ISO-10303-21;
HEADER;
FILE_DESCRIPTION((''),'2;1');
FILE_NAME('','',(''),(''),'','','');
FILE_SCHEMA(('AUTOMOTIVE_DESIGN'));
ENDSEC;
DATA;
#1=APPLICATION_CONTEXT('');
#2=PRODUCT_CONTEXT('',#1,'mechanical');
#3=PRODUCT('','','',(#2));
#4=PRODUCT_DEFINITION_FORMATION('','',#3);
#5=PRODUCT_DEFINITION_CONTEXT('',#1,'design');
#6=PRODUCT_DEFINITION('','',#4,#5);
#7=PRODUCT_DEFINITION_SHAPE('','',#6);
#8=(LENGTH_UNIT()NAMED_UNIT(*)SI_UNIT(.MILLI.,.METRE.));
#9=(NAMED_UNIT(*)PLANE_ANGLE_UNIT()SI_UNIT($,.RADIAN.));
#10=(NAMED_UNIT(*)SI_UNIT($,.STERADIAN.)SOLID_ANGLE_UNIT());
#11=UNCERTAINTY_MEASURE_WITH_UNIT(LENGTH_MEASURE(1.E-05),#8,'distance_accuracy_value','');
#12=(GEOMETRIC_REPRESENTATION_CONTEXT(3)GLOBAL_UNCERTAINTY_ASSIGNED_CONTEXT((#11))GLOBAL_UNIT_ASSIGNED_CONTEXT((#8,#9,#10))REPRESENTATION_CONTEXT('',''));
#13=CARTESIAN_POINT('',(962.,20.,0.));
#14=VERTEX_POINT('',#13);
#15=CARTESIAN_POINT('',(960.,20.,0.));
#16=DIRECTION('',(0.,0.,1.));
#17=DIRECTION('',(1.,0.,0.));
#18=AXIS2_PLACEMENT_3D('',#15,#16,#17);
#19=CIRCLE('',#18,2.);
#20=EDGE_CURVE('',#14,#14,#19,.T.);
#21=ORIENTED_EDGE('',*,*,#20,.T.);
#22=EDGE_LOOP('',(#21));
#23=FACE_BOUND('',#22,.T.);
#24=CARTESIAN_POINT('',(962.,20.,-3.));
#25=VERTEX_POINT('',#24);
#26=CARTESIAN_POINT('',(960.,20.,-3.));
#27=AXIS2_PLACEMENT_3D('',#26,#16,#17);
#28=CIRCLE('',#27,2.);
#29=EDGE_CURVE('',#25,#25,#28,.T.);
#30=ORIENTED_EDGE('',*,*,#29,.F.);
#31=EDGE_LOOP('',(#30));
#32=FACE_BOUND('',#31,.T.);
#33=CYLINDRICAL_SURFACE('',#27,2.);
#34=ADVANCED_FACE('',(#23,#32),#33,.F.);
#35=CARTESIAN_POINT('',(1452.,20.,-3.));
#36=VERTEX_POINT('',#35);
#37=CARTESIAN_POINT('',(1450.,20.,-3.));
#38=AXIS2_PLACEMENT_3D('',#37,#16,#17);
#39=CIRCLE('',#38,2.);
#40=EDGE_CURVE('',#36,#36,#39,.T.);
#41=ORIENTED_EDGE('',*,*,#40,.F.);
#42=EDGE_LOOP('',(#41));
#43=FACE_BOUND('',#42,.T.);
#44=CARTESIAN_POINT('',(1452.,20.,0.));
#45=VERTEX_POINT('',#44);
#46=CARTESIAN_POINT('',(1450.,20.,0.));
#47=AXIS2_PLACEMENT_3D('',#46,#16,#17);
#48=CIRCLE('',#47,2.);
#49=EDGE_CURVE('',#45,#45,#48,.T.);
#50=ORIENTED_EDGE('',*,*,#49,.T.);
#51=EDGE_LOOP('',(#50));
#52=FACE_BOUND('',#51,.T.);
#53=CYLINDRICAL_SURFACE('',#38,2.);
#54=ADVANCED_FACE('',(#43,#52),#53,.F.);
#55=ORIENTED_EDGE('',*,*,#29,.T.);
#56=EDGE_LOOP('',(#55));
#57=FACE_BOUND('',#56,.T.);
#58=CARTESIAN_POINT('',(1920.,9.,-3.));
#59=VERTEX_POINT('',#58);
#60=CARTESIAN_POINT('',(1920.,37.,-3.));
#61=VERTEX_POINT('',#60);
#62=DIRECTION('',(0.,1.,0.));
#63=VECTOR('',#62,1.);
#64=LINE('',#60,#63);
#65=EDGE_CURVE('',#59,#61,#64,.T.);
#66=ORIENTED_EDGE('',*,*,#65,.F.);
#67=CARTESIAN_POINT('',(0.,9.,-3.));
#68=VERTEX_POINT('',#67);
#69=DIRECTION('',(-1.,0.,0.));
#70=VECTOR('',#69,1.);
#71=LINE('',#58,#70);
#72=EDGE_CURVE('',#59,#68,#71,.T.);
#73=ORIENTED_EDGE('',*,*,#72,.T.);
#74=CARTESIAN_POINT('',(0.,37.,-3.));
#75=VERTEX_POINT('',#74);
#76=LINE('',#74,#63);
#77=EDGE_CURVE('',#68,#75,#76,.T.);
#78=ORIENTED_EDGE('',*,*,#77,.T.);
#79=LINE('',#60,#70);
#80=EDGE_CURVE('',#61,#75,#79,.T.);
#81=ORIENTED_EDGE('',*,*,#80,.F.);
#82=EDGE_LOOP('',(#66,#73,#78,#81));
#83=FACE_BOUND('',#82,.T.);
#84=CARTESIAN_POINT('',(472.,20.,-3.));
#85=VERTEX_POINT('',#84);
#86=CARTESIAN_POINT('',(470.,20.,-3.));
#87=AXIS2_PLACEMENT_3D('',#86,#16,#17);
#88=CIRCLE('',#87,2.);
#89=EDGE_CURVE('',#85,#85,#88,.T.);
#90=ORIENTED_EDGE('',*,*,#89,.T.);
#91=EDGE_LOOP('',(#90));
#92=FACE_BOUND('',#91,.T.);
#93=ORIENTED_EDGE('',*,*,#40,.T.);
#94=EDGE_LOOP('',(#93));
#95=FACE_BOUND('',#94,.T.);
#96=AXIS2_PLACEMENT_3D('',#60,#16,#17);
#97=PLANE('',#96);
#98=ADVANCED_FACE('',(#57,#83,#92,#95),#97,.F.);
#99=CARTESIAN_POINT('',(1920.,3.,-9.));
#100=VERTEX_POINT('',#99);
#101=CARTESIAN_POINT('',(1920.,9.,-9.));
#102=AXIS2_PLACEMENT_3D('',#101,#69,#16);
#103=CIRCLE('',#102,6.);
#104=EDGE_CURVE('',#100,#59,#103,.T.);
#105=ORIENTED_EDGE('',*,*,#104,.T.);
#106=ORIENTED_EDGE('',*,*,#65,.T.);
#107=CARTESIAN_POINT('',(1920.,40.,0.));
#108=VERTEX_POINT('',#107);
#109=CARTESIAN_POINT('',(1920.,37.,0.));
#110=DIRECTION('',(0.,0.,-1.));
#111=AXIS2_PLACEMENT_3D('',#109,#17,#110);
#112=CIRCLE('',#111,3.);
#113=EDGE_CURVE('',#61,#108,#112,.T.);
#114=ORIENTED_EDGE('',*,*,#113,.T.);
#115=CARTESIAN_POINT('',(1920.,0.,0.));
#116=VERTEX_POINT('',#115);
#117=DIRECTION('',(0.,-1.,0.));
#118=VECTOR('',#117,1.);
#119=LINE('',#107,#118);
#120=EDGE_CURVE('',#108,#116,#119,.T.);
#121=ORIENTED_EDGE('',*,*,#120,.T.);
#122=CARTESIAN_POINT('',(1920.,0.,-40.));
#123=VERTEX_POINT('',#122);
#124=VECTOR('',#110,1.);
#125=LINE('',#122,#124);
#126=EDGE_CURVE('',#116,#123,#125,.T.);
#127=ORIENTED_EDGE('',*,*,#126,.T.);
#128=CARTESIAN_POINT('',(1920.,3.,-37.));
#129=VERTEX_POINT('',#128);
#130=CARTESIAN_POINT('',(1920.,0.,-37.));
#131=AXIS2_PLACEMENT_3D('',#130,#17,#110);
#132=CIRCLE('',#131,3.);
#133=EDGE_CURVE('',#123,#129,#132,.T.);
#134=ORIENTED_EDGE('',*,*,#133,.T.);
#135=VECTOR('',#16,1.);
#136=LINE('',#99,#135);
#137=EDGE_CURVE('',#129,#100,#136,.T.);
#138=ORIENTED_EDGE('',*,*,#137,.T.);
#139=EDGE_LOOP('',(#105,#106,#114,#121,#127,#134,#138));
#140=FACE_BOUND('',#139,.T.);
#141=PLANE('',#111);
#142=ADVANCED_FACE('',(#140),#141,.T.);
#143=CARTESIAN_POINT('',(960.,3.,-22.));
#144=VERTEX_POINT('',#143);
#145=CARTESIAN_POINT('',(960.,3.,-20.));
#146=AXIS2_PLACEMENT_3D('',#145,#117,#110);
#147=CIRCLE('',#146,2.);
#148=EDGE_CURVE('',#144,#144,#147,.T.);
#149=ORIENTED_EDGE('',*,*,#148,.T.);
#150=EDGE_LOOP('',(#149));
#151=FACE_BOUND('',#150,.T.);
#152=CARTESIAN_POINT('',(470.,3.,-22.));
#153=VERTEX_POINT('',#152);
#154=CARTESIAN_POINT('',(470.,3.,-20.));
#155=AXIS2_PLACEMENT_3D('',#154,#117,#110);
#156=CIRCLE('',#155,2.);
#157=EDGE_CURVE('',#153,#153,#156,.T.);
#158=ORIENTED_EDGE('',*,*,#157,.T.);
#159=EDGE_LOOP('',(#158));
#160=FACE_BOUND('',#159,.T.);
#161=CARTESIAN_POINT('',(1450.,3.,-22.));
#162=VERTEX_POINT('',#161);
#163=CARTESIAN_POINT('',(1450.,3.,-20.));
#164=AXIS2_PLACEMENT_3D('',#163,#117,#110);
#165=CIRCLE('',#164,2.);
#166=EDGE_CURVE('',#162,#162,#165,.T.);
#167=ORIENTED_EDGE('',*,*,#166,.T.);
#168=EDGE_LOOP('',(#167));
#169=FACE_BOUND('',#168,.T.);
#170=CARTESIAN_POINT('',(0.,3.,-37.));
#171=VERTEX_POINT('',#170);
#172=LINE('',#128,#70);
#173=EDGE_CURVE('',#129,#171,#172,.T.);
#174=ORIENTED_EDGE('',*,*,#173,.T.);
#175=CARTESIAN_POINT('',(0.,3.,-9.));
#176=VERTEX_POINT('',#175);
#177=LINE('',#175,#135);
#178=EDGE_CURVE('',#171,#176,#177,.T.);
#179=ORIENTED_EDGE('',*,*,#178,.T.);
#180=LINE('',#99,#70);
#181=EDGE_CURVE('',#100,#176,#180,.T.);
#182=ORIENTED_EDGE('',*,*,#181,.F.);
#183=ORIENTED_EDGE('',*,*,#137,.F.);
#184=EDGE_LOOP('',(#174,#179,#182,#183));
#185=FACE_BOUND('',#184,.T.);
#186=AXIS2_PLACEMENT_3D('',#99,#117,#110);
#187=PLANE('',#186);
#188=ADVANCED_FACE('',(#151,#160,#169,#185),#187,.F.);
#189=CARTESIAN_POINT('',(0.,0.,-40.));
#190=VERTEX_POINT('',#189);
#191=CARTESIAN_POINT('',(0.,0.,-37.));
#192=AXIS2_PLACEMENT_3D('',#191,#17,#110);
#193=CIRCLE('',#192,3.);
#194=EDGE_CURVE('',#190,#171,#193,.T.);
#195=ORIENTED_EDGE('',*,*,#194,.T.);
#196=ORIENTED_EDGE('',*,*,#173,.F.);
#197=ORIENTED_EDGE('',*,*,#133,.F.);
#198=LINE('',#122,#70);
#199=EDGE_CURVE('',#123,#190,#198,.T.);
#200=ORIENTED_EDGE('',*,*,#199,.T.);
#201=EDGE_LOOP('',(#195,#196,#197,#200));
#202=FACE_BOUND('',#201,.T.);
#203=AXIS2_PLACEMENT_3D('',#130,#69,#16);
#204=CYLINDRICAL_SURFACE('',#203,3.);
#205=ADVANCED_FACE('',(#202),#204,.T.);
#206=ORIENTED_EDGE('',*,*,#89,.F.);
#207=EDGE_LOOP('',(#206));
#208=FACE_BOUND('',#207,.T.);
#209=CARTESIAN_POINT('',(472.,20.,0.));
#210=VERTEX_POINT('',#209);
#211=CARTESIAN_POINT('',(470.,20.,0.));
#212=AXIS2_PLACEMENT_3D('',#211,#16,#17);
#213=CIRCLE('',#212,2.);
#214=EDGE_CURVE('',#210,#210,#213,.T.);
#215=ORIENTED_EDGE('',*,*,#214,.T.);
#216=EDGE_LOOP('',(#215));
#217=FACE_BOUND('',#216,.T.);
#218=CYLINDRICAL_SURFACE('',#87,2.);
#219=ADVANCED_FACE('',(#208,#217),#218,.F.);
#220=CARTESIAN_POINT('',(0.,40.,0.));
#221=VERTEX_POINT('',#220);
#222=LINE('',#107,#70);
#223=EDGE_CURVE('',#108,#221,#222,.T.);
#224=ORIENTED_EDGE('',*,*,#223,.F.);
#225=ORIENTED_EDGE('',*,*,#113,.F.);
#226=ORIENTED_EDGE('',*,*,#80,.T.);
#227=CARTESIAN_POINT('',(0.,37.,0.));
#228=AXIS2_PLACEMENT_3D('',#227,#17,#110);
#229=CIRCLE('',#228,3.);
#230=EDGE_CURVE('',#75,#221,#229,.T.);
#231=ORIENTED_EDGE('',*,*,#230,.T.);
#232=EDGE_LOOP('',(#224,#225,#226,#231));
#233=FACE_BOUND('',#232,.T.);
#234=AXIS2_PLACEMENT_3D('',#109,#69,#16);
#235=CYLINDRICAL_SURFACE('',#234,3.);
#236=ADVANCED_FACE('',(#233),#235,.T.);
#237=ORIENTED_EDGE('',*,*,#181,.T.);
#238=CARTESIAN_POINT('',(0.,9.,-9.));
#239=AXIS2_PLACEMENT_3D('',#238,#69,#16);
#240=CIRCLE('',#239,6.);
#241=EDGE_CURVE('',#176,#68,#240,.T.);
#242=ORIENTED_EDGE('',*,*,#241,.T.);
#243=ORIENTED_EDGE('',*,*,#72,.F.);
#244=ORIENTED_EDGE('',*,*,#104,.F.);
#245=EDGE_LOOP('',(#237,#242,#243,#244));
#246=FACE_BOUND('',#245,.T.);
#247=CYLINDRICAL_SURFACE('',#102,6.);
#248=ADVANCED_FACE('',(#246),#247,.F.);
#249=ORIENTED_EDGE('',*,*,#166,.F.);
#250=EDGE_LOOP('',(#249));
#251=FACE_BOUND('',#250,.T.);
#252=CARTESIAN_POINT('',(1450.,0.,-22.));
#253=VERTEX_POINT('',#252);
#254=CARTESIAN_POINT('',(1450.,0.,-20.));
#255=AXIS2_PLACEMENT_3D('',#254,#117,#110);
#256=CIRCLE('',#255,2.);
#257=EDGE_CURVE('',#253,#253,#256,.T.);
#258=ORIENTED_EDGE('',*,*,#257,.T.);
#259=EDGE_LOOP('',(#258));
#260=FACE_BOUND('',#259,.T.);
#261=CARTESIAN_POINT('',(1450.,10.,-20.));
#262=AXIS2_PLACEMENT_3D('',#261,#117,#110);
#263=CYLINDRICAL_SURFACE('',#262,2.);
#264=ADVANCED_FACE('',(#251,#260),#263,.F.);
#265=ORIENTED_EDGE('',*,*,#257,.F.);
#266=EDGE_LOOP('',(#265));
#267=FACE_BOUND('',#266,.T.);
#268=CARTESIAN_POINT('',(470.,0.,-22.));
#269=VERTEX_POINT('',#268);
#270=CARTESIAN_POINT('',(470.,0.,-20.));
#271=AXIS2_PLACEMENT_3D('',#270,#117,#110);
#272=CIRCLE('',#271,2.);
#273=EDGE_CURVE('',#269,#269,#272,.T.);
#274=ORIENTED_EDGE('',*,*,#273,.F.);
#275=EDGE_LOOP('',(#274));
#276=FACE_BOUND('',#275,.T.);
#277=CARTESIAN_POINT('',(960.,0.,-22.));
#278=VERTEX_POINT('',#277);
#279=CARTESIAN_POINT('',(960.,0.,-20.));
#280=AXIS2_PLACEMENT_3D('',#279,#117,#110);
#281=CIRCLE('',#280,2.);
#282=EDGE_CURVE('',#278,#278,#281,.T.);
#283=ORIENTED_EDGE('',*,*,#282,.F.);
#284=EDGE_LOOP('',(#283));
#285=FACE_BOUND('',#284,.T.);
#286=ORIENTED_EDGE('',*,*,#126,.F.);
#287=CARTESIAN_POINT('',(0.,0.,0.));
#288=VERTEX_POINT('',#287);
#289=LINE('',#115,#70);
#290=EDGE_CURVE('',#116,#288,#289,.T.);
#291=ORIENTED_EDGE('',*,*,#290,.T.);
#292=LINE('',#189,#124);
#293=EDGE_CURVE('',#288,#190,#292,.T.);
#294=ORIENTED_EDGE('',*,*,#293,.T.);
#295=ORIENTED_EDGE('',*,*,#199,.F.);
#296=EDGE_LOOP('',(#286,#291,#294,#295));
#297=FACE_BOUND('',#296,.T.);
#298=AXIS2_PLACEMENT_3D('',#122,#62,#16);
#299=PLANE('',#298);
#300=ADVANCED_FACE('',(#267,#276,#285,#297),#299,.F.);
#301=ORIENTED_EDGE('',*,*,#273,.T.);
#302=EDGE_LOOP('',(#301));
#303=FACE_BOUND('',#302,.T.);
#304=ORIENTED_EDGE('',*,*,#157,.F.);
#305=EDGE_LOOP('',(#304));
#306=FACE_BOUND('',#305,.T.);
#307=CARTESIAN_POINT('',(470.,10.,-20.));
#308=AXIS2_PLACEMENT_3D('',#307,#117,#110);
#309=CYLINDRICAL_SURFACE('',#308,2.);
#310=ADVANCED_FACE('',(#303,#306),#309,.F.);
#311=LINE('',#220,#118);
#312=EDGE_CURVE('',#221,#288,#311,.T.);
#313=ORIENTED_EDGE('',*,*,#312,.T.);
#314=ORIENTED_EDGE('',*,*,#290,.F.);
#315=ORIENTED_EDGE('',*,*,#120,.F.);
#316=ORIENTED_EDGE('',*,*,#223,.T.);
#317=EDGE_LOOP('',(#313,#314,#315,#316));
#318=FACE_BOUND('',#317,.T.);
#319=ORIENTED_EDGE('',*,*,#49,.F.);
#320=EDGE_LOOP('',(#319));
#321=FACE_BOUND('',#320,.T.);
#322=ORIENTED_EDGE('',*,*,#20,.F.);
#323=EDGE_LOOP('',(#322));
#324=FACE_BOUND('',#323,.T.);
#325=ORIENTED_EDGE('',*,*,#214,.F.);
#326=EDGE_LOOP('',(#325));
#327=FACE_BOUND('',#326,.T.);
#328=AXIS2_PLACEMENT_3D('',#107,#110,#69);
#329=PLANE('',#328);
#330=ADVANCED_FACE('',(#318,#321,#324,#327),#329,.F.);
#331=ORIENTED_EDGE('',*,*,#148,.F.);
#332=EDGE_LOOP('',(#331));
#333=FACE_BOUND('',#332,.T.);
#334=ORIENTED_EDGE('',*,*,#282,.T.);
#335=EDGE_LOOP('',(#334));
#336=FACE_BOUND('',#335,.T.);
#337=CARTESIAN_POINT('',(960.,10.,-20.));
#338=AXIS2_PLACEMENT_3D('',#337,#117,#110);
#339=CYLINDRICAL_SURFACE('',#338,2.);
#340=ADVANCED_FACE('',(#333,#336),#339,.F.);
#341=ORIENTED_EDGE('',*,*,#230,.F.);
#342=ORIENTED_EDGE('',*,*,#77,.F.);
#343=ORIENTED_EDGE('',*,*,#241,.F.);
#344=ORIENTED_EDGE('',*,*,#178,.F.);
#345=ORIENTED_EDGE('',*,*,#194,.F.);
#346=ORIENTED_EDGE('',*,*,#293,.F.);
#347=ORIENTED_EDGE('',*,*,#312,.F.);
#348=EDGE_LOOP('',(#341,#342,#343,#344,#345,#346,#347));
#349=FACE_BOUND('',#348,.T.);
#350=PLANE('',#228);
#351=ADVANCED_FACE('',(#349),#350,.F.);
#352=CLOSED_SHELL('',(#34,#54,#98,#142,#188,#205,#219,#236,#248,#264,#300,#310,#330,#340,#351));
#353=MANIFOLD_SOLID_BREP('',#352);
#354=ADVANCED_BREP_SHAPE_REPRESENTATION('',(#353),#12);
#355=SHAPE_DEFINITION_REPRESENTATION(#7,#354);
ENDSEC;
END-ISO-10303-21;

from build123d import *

# Parameters (mm, degrees)
L_ANGLE_EQUAL_40X40X3_2_DEPTH = 1920
SKETCH15_R                    = 2
CUT_EXTRUDE1_DEPTH            = 10
SKETCH16_R                    = 2
CUT_EXTRUDE2_DEPTH            = 3


with BuildPart() as part:
    # Sketch13 → L angle (equal) 40X40X3(2) (new body)
    with BuildSketch(Plane(origin=(0, 0, 0), x_dir=(0, 0, -1), z_dir=(1, 0, 0))):
        with BuildLine():
            Line((0, 40), (0, 0))
            Line((0, 0), (40, 0))
            ThreePointArc((40, 0), (39.121320344, 2.121320344), (37, 3))
            Line((37, 3), (9, 3))
            ThreePointArc((9, 3), (4.757359313, 4.757359313), (3, 9))
            Line((3, 9), (3, 37))
            ThreePointArc((3, 37), (2.121320344, 39.121320344), (0, 40))
        make_face()
    extrude(amount=L_ANGLE_EQUAL_40X40X3_2_DEPTH)

    # Sketch15 → Cut-Extrude1 (cut)
    with BuildSketch(Plane(origin=(0, 0, 0), x_dir=(-1, 0, 0), z_dir=(0, -1, 0))):
        with Locations(Location((-960, 20, 0), (0, 0, 90))):
            Circle(SKETCH15_R)
        with Locations(Location((-470, 20, 0), (0, 0, 90))):
            Circle(SKETCH15_R)
        with Locations(Location((-1450, 20, 0), (0, 0, 90))):
            Circle(SKETCH15_R)
    extrude(amount=-CUT_EXTRUDE1_DEPTH, mode=Mode.SUBTRACT)

    # Sketch16 → Cut-Extrude2 (cut)
    with BuildSketch(Plane.XY):
        with Locations((960, 20)):
            Circle(SKETCH16_R)
        with Locations((1450, 20)):
            Circle(SKETCH16_R)
        with Locations((470, 20)):
            Circle(SKETCH16_R)
    extrude(amount=-CUT_EXTRUDE2_DEPTH, mode=Mode.SUBTRACT)


solid = part.part
